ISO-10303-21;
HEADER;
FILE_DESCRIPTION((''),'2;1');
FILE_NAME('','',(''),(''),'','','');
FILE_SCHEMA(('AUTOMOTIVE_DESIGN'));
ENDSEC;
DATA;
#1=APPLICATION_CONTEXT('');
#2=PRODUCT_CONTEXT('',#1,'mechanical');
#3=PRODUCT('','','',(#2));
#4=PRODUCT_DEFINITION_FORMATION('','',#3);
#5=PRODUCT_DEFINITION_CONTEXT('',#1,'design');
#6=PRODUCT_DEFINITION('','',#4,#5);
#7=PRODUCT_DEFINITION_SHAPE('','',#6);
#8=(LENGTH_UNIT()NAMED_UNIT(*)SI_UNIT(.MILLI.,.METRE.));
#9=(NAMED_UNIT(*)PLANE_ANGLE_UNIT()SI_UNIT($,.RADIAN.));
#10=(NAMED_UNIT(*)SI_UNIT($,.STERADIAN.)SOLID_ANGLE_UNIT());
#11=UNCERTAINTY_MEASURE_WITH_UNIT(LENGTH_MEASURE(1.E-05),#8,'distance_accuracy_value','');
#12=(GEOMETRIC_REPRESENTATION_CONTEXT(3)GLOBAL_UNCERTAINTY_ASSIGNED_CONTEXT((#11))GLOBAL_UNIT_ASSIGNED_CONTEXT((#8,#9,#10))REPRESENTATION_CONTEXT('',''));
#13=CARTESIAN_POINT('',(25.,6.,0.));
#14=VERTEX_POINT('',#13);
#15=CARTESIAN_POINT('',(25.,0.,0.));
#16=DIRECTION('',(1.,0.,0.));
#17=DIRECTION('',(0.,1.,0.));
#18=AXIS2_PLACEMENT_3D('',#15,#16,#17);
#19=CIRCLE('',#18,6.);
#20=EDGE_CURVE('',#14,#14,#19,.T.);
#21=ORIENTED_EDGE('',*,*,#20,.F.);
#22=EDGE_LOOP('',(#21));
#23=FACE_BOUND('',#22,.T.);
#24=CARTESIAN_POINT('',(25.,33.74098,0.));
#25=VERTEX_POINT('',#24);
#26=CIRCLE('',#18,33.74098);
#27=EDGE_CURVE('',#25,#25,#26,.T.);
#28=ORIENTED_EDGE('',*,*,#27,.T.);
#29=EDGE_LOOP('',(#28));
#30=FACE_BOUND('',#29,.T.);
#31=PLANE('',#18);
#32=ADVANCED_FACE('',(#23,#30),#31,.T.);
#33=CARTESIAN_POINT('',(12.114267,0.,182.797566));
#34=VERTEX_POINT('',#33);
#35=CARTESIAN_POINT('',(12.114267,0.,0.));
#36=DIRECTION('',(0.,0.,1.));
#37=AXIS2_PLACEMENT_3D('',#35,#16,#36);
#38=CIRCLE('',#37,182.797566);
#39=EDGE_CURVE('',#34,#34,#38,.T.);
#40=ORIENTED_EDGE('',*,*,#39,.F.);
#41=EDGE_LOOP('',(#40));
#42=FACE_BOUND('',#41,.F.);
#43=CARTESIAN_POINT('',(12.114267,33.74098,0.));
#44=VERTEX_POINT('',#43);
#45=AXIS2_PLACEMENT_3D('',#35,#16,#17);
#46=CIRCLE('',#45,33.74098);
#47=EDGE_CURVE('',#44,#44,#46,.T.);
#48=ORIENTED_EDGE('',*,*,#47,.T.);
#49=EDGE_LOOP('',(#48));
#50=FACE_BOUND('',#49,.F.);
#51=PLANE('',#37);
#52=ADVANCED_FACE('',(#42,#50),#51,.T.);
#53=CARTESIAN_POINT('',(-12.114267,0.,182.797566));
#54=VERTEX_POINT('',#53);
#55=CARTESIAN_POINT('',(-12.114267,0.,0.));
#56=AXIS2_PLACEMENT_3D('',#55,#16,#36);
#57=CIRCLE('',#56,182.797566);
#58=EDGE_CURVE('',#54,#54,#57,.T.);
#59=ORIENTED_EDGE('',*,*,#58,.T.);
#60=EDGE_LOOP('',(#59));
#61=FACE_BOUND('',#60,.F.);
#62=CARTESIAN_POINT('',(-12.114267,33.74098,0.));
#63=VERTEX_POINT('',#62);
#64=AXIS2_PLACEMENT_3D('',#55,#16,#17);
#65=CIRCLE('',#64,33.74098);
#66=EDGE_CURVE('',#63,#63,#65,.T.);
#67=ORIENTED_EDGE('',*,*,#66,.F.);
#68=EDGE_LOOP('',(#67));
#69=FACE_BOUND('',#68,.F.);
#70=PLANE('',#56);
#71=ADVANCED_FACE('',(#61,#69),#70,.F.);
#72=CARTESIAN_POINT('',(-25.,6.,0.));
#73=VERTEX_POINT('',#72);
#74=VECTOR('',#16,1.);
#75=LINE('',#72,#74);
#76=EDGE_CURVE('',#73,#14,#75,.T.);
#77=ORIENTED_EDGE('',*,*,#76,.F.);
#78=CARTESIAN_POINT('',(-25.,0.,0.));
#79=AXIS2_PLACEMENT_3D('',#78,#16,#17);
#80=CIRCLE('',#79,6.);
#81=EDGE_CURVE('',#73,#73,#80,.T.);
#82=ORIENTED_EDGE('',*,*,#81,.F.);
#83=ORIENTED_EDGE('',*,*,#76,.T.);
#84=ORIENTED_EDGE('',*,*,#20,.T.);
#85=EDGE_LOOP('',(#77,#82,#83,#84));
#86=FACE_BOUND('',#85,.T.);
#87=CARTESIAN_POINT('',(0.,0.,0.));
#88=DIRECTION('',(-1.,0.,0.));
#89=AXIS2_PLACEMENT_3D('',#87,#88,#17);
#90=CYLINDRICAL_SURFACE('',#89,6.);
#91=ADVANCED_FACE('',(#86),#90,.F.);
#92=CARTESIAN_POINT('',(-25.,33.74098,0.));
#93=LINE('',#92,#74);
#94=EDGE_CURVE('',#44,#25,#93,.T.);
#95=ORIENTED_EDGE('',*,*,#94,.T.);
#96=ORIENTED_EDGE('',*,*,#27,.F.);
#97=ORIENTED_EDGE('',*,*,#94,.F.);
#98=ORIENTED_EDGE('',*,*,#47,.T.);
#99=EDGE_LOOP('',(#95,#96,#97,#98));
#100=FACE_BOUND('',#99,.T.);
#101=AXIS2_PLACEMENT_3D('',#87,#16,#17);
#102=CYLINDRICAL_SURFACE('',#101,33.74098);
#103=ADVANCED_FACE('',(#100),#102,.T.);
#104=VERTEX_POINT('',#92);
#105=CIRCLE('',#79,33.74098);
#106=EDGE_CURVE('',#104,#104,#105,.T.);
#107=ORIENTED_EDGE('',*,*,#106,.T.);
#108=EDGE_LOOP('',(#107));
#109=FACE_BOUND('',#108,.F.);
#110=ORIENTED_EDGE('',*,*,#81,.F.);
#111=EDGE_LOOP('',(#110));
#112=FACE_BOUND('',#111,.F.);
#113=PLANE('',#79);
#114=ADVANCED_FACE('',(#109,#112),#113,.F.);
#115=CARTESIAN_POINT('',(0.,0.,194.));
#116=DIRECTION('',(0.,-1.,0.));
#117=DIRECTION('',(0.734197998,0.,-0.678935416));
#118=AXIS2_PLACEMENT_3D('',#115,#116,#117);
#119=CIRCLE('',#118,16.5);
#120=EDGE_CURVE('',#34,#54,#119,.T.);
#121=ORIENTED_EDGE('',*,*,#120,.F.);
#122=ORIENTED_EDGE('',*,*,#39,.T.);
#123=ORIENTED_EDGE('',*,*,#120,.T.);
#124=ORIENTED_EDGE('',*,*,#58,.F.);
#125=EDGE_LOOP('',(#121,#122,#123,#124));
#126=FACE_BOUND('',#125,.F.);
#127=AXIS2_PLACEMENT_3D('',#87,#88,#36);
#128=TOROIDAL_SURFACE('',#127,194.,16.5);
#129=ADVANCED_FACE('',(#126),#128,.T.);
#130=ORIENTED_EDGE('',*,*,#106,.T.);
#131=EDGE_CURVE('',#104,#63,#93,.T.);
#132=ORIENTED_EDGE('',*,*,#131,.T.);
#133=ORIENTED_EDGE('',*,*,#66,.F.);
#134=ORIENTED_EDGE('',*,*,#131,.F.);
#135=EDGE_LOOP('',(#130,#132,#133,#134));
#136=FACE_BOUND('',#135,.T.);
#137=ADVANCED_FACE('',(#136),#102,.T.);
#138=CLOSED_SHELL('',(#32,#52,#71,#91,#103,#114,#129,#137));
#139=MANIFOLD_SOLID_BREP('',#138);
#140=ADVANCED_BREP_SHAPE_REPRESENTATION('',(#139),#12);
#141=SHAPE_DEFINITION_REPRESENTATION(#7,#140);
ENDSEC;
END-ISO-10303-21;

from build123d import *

# Parameters (mm, degrees)
F2_R     = 6
F3_DEPTH = 25
F4_R     = 33.7409795254
F4_R_2   = 6
F5_DEPTH = 25


with BuildPart() as f1:
    # F0 (on Front) → F1 (revolve)
    with BuildSketch(Plane.XZ):
        with BuildLine():
            Line((12.1142669689, 0), (12.1142669689, 182.7975656304))
            ThreePointArc((12.1142669689, 182.7975656304), (0, 210.5), (-12.1142669689, 182.7975656304))
            Line((-12.1142669689, 182.7975656304), (-12.1142669689, 0))
            Line((-12.1142669689, 0), (12.1142669689, 0))
        make_face()
    revolve(axis=Axis((0, 0, 0), (1, 0, 0)))

    # F2 (on face) → F3 (cut)
    with BuildSketch(Plane.YZ.offset(12.1142669689)):
        Circle(F2_R)
    extrude(amount=-F3_DEPTH, mode=Mode.SUBTRACT)

    # F4 (on Right) → F5 (join, symmetric)
    with BuildSketch(Plane.YZ):
        Circle(F4_R)
        Circle(F4_R_2, mode=Mode.SUBTRACT)
    extrude(amount=F5_DEPTH, both=True)


solid = f1.part
